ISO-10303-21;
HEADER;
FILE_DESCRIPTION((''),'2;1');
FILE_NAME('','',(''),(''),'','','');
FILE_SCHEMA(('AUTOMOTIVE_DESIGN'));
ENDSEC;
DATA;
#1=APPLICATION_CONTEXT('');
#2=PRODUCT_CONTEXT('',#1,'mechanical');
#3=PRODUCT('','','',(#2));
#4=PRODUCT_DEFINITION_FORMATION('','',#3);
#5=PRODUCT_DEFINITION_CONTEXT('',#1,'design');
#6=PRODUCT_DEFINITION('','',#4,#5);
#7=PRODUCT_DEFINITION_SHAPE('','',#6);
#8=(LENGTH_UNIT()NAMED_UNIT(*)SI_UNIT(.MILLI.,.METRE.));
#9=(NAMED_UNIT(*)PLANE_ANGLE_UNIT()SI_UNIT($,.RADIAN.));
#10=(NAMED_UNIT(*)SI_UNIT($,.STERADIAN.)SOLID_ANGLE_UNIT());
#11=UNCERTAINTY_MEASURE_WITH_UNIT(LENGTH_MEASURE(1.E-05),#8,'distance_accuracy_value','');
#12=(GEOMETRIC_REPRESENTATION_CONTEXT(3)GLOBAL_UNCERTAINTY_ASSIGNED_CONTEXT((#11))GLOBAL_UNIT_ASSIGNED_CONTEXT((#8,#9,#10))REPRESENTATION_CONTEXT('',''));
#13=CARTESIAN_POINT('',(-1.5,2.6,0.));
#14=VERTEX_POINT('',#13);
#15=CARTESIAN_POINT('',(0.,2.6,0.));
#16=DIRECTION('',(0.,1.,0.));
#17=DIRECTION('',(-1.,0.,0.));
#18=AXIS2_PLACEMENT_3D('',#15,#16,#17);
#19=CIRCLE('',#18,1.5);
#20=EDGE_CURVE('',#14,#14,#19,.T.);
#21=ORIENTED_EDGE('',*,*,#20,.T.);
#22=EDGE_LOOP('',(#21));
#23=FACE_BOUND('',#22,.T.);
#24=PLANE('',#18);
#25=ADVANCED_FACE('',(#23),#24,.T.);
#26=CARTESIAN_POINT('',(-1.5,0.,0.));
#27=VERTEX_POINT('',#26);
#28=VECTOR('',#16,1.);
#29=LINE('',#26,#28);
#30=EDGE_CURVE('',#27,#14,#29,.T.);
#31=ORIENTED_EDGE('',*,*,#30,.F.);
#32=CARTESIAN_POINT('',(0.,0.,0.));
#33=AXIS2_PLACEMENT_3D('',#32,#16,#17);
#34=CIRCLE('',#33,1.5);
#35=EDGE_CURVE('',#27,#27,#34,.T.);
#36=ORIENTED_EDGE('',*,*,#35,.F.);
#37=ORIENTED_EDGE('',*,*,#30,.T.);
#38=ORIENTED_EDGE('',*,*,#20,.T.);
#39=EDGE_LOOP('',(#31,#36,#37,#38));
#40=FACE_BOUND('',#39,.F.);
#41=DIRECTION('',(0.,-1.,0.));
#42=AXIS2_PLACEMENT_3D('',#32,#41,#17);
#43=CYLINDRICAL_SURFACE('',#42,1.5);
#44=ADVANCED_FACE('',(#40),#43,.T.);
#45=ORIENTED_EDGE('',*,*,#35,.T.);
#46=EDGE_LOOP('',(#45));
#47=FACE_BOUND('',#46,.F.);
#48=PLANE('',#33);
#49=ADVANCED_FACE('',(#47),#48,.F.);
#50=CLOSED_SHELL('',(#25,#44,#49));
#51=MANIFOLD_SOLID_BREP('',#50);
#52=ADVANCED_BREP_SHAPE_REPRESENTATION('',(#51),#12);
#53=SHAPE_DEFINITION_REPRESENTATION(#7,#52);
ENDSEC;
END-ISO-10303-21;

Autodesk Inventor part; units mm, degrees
ref_plane "YZ Plane" through (0, 0, 0) normal (1, 0, 0) x (0, 1, 0)
ref_plane "XZ Plane" through (0, 0, 0) normal (0, 1, 0) x (-1, 0, 0)
ref_plane "XY Plane" through (0, 0, 0) normal (0, 0, 1) x (1, 0, 0)
sketch "Sketch1" plane through (0, 0, 0) normal (0, 1, 0) x (-1, 0, 0)
  circle A0 centre (0, 0) radius 1.5
  dimension "d0" = 3
extrude "Extrusion1" add sketch "Sketch1" along normal blind 2.6
properties part number "glue_test_flex_pin"
